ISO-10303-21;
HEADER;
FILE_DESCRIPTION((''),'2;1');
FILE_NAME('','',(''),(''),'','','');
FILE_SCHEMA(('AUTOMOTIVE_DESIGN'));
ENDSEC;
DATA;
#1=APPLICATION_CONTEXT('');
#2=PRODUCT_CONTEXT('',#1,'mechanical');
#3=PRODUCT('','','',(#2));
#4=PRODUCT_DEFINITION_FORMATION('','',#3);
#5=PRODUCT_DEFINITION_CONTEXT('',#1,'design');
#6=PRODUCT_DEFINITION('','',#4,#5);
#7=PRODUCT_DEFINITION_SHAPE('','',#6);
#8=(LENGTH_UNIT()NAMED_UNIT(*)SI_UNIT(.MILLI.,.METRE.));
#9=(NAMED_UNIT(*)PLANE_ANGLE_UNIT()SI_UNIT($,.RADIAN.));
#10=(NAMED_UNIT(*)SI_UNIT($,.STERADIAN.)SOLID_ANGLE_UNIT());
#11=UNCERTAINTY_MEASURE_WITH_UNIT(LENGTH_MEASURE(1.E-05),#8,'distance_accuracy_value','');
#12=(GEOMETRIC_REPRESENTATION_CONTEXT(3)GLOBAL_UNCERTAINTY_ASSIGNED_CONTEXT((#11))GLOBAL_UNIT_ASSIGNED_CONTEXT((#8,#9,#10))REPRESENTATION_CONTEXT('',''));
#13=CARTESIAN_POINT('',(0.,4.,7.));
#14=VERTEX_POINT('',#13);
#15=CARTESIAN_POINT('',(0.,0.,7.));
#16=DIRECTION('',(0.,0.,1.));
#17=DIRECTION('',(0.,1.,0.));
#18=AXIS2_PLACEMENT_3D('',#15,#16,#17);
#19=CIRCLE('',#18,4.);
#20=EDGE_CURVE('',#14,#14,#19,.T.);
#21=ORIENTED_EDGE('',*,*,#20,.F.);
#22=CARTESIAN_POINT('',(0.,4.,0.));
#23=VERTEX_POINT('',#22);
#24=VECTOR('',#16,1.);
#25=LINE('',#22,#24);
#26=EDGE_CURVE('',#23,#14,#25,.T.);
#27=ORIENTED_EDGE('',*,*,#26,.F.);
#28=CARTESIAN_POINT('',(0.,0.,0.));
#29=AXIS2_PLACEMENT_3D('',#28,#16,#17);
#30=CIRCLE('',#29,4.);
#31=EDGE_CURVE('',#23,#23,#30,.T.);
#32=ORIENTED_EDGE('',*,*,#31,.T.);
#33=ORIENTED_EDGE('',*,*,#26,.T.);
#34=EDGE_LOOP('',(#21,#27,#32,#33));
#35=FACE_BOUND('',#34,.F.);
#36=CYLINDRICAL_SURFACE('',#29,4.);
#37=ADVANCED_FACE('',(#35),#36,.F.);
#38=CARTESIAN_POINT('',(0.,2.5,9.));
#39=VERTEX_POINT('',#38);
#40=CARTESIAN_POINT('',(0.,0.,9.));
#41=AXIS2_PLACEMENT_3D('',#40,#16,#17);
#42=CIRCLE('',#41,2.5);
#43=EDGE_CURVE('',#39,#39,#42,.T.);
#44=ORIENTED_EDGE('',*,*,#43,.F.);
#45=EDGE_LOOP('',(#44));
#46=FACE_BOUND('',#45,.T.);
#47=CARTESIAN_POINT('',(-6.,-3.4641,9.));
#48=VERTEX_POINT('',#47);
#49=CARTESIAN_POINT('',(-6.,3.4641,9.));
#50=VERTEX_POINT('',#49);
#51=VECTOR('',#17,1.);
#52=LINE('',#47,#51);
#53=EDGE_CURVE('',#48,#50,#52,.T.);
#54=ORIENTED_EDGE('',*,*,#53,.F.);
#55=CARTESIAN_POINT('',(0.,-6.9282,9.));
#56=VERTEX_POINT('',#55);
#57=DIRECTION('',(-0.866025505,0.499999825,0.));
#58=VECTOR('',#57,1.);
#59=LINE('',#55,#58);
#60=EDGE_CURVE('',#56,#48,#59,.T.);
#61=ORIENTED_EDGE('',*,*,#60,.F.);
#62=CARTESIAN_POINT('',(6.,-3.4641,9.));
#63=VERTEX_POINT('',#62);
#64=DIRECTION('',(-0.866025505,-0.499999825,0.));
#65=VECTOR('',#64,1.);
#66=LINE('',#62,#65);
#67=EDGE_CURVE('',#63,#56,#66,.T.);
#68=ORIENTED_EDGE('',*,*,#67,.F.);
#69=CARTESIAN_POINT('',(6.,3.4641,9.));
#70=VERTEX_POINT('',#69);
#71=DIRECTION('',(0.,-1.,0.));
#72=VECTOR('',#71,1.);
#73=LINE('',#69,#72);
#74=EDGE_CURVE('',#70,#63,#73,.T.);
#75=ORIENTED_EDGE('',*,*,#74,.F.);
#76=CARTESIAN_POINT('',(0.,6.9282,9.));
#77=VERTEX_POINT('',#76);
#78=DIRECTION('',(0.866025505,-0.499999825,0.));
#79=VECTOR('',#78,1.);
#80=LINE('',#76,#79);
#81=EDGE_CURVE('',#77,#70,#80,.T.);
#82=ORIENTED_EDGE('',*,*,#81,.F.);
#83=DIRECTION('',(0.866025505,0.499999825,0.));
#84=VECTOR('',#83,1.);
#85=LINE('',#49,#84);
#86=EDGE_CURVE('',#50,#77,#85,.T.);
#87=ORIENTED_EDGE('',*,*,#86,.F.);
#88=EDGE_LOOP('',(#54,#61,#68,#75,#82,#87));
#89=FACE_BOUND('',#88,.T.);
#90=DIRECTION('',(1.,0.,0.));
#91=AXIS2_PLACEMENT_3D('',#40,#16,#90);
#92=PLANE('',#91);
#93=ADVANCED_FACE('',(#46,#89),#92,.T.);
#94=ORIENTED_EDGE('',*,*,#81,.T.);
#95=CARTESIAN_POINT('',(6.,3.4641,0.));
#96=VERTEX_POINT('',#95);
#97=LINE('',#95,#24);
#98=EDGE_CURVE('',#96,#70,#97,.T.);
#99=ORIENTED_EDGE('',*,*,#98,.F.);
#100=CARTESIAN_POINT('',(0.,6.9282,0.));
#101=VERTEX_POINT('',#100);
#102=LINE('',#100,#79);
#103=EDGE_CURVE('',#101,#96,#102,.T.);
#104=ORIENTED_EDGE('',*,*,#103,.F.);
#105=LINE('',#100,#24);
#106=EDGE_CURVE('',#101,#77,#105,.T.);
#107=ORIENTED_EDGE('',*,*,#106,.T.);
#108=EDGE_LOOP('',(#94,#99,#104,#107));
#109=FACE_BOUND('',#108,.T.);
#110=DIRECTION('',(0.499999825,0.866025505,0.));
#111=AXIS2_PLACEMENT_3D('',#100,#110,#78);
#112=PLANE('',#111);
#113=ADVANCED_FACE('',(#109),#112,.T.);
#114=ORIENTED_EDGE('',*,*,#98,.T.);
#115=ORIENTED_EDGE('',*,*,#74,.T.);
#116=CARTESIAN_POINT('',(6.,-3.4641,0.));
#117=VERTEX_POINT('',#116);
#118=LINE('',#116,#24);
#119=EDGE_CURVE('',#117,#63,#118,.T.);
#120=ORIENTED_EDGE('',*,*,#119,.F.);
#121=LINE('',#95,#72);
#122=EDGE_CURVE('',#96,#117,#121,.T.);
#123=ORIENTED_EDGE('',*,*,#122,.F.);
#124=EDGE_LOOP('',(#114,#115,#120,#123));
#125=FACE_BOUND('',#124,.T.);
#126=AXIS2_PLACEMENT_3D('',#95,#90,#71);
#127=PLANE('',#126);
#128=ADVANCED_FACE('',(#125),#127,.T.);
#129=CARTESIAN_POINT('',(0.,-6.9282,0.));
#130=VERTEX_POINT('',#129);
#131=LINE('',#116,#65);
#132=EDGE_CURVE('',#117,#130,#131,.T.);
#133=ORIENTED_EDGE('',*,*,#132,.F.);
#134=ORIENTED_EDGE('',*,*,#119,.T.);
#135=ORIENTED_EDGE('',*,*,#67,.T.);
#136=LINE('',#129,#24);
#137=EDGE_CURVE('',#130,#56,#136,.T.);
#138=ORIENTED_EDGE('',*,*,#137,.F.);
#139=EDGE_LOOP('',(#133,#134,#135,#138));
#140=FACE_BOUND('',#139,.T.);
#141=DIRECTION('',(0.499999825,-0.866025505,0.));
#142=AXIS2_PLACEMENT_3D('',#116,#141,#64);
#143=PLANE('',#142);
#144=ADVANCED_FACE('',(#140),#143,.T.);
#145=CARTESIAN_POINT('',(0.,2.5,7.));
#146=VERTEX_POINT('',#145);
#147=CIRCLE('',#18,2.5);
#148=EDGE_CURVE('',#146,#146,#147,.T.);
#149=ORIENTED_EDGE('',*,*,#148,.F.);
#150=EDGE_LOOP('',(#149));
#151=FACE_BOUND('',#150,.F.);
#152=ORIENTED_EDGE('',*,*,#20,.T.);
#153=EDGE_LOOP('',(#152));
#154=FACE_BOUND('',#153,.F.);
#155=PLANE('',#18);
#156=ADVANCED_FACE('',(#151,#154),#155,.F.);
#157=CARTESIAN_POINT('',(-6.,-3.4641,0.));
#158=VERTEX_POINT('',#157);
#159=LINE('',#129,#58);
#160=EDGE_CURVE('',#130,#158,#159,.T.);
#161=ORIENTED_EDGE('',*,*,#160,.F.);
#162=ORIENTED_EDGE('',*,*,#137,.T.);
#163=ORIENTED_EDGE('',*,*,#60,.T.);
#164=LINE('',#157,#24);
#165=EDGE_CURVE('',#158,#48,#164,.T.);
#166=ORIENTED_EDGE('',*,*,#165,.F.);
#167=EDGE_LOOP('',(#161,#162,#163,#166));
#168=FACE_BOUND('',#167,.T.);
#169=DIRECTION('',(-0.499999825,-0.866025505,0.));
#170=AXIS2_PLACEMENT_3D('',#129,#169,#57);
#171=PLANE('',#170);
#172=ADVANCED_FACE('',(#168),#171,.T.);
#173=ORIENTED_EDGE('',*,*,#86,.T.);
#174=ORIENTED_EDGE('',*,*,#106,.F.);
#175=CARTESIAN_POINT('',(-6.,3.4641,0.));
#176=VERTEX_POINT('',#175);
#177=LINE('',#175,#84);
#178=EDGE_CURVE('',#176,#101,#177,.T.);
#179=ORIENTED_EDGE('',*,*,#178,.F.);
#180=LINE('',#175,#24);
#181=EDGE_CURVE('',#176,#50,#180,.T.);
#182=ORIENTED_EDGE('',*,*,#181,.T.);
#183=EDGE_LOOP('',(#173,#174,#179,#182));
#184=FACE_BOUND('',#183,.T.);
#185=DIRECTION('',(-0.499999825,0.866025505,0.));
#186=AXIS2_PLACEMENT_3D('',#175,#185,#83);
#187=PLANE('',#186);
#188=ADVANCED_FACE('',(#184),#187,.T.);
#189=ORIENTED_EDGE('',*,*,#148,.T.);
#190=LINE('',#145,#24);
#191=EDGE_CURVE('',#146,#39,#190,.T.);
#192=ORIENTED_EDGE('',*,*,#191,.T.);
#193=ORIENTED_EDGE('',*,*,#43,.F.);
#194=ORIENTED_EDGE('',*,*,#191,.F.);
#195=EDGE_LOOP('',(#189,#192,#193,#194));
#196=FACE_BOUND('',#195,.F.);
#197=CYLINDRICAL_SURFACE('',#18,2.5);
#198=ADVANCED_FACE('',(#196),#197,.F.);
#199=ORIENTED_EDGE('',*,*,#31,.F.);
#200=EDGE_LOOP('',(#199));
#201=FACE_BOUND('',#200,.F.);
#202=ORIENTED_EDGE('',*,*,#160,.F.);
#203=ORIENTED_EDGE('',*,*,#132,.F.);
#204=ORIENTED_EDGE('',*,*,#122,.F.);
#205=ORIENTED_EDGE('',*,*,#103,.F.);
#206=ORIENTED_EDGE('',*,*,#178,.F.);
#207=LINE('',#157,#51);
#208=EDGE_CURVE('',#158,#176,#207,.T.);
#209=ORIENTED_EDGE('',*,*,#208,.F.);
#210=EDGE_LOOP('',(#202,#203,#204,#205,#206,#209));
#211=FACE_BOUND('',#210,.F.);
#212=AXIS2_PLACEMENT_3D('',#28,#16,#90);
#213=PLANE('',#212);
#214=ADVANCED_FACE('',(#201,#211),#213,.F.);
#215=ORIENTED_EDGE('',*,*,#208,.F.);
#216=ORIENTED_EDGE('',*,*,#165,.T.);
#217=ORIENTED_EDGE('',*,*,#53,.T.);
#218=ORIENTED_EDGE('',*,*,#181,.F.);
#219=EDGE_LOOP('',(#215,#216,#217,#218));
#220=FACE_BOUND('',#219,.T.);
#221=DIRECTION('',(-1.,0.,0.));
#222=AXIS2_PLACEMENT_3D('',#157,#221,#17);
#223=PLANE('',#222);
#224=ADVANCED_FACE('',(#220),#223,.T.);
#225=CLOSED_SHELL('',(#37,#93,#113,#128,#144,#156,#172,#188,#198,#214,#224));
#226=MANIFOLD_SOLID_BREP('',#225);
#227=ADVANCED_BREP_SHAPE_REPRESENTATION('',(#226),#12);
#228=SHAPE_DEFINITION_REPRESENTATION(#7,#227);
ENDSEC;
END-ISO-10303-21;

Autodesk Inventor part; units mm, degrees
ref_plane "YZ Plane" through (0, 0, 0) normal (1, 0, 0) x (0, 1, 0)
ref_plane "XZ Plane" through (0, 0, 0) normal (0, 1, 0) x (-1, 0, 0)
ref_plane "XY Plane" through (0, 0, 0) normal (0, 0, 1) x (1, 0, 0)
sketch "Sketch1" plane through (0, 0, 0) normal (0, 0, 1) x (1, 0, 0)
  line L0 (0, -6.9282) -> (-6, -3.4641)
  line L1 (-6, -3.4641) -> (-6, 3.4641)
  line L2 (-6, 3.4641) -> (0, 6.9282)
  line L3 (0, 6.9282) -> (6, 3.4641)
  line L4 (6, 3.4641) -> (6, -3.4641)
  line L5 (6, -3.4641) -> (0, -6.9282)
  line L6 (0, 0) -> (0, -16.6976)
  dimension "d0" = 12
extrude "Extrusion1" add sketch "Sketch1" along normal blind 9
hole "Hole1" at (0, 0, 0) direction (0, 0, 1) diameter 5 end through all counterbore diameter 8 counterbore depth 7
thread "Thread1" size "M8x1.25" class "6H" standard "ANSI Metric M Profile" full length
properties part number "HUDSON-1-83"
